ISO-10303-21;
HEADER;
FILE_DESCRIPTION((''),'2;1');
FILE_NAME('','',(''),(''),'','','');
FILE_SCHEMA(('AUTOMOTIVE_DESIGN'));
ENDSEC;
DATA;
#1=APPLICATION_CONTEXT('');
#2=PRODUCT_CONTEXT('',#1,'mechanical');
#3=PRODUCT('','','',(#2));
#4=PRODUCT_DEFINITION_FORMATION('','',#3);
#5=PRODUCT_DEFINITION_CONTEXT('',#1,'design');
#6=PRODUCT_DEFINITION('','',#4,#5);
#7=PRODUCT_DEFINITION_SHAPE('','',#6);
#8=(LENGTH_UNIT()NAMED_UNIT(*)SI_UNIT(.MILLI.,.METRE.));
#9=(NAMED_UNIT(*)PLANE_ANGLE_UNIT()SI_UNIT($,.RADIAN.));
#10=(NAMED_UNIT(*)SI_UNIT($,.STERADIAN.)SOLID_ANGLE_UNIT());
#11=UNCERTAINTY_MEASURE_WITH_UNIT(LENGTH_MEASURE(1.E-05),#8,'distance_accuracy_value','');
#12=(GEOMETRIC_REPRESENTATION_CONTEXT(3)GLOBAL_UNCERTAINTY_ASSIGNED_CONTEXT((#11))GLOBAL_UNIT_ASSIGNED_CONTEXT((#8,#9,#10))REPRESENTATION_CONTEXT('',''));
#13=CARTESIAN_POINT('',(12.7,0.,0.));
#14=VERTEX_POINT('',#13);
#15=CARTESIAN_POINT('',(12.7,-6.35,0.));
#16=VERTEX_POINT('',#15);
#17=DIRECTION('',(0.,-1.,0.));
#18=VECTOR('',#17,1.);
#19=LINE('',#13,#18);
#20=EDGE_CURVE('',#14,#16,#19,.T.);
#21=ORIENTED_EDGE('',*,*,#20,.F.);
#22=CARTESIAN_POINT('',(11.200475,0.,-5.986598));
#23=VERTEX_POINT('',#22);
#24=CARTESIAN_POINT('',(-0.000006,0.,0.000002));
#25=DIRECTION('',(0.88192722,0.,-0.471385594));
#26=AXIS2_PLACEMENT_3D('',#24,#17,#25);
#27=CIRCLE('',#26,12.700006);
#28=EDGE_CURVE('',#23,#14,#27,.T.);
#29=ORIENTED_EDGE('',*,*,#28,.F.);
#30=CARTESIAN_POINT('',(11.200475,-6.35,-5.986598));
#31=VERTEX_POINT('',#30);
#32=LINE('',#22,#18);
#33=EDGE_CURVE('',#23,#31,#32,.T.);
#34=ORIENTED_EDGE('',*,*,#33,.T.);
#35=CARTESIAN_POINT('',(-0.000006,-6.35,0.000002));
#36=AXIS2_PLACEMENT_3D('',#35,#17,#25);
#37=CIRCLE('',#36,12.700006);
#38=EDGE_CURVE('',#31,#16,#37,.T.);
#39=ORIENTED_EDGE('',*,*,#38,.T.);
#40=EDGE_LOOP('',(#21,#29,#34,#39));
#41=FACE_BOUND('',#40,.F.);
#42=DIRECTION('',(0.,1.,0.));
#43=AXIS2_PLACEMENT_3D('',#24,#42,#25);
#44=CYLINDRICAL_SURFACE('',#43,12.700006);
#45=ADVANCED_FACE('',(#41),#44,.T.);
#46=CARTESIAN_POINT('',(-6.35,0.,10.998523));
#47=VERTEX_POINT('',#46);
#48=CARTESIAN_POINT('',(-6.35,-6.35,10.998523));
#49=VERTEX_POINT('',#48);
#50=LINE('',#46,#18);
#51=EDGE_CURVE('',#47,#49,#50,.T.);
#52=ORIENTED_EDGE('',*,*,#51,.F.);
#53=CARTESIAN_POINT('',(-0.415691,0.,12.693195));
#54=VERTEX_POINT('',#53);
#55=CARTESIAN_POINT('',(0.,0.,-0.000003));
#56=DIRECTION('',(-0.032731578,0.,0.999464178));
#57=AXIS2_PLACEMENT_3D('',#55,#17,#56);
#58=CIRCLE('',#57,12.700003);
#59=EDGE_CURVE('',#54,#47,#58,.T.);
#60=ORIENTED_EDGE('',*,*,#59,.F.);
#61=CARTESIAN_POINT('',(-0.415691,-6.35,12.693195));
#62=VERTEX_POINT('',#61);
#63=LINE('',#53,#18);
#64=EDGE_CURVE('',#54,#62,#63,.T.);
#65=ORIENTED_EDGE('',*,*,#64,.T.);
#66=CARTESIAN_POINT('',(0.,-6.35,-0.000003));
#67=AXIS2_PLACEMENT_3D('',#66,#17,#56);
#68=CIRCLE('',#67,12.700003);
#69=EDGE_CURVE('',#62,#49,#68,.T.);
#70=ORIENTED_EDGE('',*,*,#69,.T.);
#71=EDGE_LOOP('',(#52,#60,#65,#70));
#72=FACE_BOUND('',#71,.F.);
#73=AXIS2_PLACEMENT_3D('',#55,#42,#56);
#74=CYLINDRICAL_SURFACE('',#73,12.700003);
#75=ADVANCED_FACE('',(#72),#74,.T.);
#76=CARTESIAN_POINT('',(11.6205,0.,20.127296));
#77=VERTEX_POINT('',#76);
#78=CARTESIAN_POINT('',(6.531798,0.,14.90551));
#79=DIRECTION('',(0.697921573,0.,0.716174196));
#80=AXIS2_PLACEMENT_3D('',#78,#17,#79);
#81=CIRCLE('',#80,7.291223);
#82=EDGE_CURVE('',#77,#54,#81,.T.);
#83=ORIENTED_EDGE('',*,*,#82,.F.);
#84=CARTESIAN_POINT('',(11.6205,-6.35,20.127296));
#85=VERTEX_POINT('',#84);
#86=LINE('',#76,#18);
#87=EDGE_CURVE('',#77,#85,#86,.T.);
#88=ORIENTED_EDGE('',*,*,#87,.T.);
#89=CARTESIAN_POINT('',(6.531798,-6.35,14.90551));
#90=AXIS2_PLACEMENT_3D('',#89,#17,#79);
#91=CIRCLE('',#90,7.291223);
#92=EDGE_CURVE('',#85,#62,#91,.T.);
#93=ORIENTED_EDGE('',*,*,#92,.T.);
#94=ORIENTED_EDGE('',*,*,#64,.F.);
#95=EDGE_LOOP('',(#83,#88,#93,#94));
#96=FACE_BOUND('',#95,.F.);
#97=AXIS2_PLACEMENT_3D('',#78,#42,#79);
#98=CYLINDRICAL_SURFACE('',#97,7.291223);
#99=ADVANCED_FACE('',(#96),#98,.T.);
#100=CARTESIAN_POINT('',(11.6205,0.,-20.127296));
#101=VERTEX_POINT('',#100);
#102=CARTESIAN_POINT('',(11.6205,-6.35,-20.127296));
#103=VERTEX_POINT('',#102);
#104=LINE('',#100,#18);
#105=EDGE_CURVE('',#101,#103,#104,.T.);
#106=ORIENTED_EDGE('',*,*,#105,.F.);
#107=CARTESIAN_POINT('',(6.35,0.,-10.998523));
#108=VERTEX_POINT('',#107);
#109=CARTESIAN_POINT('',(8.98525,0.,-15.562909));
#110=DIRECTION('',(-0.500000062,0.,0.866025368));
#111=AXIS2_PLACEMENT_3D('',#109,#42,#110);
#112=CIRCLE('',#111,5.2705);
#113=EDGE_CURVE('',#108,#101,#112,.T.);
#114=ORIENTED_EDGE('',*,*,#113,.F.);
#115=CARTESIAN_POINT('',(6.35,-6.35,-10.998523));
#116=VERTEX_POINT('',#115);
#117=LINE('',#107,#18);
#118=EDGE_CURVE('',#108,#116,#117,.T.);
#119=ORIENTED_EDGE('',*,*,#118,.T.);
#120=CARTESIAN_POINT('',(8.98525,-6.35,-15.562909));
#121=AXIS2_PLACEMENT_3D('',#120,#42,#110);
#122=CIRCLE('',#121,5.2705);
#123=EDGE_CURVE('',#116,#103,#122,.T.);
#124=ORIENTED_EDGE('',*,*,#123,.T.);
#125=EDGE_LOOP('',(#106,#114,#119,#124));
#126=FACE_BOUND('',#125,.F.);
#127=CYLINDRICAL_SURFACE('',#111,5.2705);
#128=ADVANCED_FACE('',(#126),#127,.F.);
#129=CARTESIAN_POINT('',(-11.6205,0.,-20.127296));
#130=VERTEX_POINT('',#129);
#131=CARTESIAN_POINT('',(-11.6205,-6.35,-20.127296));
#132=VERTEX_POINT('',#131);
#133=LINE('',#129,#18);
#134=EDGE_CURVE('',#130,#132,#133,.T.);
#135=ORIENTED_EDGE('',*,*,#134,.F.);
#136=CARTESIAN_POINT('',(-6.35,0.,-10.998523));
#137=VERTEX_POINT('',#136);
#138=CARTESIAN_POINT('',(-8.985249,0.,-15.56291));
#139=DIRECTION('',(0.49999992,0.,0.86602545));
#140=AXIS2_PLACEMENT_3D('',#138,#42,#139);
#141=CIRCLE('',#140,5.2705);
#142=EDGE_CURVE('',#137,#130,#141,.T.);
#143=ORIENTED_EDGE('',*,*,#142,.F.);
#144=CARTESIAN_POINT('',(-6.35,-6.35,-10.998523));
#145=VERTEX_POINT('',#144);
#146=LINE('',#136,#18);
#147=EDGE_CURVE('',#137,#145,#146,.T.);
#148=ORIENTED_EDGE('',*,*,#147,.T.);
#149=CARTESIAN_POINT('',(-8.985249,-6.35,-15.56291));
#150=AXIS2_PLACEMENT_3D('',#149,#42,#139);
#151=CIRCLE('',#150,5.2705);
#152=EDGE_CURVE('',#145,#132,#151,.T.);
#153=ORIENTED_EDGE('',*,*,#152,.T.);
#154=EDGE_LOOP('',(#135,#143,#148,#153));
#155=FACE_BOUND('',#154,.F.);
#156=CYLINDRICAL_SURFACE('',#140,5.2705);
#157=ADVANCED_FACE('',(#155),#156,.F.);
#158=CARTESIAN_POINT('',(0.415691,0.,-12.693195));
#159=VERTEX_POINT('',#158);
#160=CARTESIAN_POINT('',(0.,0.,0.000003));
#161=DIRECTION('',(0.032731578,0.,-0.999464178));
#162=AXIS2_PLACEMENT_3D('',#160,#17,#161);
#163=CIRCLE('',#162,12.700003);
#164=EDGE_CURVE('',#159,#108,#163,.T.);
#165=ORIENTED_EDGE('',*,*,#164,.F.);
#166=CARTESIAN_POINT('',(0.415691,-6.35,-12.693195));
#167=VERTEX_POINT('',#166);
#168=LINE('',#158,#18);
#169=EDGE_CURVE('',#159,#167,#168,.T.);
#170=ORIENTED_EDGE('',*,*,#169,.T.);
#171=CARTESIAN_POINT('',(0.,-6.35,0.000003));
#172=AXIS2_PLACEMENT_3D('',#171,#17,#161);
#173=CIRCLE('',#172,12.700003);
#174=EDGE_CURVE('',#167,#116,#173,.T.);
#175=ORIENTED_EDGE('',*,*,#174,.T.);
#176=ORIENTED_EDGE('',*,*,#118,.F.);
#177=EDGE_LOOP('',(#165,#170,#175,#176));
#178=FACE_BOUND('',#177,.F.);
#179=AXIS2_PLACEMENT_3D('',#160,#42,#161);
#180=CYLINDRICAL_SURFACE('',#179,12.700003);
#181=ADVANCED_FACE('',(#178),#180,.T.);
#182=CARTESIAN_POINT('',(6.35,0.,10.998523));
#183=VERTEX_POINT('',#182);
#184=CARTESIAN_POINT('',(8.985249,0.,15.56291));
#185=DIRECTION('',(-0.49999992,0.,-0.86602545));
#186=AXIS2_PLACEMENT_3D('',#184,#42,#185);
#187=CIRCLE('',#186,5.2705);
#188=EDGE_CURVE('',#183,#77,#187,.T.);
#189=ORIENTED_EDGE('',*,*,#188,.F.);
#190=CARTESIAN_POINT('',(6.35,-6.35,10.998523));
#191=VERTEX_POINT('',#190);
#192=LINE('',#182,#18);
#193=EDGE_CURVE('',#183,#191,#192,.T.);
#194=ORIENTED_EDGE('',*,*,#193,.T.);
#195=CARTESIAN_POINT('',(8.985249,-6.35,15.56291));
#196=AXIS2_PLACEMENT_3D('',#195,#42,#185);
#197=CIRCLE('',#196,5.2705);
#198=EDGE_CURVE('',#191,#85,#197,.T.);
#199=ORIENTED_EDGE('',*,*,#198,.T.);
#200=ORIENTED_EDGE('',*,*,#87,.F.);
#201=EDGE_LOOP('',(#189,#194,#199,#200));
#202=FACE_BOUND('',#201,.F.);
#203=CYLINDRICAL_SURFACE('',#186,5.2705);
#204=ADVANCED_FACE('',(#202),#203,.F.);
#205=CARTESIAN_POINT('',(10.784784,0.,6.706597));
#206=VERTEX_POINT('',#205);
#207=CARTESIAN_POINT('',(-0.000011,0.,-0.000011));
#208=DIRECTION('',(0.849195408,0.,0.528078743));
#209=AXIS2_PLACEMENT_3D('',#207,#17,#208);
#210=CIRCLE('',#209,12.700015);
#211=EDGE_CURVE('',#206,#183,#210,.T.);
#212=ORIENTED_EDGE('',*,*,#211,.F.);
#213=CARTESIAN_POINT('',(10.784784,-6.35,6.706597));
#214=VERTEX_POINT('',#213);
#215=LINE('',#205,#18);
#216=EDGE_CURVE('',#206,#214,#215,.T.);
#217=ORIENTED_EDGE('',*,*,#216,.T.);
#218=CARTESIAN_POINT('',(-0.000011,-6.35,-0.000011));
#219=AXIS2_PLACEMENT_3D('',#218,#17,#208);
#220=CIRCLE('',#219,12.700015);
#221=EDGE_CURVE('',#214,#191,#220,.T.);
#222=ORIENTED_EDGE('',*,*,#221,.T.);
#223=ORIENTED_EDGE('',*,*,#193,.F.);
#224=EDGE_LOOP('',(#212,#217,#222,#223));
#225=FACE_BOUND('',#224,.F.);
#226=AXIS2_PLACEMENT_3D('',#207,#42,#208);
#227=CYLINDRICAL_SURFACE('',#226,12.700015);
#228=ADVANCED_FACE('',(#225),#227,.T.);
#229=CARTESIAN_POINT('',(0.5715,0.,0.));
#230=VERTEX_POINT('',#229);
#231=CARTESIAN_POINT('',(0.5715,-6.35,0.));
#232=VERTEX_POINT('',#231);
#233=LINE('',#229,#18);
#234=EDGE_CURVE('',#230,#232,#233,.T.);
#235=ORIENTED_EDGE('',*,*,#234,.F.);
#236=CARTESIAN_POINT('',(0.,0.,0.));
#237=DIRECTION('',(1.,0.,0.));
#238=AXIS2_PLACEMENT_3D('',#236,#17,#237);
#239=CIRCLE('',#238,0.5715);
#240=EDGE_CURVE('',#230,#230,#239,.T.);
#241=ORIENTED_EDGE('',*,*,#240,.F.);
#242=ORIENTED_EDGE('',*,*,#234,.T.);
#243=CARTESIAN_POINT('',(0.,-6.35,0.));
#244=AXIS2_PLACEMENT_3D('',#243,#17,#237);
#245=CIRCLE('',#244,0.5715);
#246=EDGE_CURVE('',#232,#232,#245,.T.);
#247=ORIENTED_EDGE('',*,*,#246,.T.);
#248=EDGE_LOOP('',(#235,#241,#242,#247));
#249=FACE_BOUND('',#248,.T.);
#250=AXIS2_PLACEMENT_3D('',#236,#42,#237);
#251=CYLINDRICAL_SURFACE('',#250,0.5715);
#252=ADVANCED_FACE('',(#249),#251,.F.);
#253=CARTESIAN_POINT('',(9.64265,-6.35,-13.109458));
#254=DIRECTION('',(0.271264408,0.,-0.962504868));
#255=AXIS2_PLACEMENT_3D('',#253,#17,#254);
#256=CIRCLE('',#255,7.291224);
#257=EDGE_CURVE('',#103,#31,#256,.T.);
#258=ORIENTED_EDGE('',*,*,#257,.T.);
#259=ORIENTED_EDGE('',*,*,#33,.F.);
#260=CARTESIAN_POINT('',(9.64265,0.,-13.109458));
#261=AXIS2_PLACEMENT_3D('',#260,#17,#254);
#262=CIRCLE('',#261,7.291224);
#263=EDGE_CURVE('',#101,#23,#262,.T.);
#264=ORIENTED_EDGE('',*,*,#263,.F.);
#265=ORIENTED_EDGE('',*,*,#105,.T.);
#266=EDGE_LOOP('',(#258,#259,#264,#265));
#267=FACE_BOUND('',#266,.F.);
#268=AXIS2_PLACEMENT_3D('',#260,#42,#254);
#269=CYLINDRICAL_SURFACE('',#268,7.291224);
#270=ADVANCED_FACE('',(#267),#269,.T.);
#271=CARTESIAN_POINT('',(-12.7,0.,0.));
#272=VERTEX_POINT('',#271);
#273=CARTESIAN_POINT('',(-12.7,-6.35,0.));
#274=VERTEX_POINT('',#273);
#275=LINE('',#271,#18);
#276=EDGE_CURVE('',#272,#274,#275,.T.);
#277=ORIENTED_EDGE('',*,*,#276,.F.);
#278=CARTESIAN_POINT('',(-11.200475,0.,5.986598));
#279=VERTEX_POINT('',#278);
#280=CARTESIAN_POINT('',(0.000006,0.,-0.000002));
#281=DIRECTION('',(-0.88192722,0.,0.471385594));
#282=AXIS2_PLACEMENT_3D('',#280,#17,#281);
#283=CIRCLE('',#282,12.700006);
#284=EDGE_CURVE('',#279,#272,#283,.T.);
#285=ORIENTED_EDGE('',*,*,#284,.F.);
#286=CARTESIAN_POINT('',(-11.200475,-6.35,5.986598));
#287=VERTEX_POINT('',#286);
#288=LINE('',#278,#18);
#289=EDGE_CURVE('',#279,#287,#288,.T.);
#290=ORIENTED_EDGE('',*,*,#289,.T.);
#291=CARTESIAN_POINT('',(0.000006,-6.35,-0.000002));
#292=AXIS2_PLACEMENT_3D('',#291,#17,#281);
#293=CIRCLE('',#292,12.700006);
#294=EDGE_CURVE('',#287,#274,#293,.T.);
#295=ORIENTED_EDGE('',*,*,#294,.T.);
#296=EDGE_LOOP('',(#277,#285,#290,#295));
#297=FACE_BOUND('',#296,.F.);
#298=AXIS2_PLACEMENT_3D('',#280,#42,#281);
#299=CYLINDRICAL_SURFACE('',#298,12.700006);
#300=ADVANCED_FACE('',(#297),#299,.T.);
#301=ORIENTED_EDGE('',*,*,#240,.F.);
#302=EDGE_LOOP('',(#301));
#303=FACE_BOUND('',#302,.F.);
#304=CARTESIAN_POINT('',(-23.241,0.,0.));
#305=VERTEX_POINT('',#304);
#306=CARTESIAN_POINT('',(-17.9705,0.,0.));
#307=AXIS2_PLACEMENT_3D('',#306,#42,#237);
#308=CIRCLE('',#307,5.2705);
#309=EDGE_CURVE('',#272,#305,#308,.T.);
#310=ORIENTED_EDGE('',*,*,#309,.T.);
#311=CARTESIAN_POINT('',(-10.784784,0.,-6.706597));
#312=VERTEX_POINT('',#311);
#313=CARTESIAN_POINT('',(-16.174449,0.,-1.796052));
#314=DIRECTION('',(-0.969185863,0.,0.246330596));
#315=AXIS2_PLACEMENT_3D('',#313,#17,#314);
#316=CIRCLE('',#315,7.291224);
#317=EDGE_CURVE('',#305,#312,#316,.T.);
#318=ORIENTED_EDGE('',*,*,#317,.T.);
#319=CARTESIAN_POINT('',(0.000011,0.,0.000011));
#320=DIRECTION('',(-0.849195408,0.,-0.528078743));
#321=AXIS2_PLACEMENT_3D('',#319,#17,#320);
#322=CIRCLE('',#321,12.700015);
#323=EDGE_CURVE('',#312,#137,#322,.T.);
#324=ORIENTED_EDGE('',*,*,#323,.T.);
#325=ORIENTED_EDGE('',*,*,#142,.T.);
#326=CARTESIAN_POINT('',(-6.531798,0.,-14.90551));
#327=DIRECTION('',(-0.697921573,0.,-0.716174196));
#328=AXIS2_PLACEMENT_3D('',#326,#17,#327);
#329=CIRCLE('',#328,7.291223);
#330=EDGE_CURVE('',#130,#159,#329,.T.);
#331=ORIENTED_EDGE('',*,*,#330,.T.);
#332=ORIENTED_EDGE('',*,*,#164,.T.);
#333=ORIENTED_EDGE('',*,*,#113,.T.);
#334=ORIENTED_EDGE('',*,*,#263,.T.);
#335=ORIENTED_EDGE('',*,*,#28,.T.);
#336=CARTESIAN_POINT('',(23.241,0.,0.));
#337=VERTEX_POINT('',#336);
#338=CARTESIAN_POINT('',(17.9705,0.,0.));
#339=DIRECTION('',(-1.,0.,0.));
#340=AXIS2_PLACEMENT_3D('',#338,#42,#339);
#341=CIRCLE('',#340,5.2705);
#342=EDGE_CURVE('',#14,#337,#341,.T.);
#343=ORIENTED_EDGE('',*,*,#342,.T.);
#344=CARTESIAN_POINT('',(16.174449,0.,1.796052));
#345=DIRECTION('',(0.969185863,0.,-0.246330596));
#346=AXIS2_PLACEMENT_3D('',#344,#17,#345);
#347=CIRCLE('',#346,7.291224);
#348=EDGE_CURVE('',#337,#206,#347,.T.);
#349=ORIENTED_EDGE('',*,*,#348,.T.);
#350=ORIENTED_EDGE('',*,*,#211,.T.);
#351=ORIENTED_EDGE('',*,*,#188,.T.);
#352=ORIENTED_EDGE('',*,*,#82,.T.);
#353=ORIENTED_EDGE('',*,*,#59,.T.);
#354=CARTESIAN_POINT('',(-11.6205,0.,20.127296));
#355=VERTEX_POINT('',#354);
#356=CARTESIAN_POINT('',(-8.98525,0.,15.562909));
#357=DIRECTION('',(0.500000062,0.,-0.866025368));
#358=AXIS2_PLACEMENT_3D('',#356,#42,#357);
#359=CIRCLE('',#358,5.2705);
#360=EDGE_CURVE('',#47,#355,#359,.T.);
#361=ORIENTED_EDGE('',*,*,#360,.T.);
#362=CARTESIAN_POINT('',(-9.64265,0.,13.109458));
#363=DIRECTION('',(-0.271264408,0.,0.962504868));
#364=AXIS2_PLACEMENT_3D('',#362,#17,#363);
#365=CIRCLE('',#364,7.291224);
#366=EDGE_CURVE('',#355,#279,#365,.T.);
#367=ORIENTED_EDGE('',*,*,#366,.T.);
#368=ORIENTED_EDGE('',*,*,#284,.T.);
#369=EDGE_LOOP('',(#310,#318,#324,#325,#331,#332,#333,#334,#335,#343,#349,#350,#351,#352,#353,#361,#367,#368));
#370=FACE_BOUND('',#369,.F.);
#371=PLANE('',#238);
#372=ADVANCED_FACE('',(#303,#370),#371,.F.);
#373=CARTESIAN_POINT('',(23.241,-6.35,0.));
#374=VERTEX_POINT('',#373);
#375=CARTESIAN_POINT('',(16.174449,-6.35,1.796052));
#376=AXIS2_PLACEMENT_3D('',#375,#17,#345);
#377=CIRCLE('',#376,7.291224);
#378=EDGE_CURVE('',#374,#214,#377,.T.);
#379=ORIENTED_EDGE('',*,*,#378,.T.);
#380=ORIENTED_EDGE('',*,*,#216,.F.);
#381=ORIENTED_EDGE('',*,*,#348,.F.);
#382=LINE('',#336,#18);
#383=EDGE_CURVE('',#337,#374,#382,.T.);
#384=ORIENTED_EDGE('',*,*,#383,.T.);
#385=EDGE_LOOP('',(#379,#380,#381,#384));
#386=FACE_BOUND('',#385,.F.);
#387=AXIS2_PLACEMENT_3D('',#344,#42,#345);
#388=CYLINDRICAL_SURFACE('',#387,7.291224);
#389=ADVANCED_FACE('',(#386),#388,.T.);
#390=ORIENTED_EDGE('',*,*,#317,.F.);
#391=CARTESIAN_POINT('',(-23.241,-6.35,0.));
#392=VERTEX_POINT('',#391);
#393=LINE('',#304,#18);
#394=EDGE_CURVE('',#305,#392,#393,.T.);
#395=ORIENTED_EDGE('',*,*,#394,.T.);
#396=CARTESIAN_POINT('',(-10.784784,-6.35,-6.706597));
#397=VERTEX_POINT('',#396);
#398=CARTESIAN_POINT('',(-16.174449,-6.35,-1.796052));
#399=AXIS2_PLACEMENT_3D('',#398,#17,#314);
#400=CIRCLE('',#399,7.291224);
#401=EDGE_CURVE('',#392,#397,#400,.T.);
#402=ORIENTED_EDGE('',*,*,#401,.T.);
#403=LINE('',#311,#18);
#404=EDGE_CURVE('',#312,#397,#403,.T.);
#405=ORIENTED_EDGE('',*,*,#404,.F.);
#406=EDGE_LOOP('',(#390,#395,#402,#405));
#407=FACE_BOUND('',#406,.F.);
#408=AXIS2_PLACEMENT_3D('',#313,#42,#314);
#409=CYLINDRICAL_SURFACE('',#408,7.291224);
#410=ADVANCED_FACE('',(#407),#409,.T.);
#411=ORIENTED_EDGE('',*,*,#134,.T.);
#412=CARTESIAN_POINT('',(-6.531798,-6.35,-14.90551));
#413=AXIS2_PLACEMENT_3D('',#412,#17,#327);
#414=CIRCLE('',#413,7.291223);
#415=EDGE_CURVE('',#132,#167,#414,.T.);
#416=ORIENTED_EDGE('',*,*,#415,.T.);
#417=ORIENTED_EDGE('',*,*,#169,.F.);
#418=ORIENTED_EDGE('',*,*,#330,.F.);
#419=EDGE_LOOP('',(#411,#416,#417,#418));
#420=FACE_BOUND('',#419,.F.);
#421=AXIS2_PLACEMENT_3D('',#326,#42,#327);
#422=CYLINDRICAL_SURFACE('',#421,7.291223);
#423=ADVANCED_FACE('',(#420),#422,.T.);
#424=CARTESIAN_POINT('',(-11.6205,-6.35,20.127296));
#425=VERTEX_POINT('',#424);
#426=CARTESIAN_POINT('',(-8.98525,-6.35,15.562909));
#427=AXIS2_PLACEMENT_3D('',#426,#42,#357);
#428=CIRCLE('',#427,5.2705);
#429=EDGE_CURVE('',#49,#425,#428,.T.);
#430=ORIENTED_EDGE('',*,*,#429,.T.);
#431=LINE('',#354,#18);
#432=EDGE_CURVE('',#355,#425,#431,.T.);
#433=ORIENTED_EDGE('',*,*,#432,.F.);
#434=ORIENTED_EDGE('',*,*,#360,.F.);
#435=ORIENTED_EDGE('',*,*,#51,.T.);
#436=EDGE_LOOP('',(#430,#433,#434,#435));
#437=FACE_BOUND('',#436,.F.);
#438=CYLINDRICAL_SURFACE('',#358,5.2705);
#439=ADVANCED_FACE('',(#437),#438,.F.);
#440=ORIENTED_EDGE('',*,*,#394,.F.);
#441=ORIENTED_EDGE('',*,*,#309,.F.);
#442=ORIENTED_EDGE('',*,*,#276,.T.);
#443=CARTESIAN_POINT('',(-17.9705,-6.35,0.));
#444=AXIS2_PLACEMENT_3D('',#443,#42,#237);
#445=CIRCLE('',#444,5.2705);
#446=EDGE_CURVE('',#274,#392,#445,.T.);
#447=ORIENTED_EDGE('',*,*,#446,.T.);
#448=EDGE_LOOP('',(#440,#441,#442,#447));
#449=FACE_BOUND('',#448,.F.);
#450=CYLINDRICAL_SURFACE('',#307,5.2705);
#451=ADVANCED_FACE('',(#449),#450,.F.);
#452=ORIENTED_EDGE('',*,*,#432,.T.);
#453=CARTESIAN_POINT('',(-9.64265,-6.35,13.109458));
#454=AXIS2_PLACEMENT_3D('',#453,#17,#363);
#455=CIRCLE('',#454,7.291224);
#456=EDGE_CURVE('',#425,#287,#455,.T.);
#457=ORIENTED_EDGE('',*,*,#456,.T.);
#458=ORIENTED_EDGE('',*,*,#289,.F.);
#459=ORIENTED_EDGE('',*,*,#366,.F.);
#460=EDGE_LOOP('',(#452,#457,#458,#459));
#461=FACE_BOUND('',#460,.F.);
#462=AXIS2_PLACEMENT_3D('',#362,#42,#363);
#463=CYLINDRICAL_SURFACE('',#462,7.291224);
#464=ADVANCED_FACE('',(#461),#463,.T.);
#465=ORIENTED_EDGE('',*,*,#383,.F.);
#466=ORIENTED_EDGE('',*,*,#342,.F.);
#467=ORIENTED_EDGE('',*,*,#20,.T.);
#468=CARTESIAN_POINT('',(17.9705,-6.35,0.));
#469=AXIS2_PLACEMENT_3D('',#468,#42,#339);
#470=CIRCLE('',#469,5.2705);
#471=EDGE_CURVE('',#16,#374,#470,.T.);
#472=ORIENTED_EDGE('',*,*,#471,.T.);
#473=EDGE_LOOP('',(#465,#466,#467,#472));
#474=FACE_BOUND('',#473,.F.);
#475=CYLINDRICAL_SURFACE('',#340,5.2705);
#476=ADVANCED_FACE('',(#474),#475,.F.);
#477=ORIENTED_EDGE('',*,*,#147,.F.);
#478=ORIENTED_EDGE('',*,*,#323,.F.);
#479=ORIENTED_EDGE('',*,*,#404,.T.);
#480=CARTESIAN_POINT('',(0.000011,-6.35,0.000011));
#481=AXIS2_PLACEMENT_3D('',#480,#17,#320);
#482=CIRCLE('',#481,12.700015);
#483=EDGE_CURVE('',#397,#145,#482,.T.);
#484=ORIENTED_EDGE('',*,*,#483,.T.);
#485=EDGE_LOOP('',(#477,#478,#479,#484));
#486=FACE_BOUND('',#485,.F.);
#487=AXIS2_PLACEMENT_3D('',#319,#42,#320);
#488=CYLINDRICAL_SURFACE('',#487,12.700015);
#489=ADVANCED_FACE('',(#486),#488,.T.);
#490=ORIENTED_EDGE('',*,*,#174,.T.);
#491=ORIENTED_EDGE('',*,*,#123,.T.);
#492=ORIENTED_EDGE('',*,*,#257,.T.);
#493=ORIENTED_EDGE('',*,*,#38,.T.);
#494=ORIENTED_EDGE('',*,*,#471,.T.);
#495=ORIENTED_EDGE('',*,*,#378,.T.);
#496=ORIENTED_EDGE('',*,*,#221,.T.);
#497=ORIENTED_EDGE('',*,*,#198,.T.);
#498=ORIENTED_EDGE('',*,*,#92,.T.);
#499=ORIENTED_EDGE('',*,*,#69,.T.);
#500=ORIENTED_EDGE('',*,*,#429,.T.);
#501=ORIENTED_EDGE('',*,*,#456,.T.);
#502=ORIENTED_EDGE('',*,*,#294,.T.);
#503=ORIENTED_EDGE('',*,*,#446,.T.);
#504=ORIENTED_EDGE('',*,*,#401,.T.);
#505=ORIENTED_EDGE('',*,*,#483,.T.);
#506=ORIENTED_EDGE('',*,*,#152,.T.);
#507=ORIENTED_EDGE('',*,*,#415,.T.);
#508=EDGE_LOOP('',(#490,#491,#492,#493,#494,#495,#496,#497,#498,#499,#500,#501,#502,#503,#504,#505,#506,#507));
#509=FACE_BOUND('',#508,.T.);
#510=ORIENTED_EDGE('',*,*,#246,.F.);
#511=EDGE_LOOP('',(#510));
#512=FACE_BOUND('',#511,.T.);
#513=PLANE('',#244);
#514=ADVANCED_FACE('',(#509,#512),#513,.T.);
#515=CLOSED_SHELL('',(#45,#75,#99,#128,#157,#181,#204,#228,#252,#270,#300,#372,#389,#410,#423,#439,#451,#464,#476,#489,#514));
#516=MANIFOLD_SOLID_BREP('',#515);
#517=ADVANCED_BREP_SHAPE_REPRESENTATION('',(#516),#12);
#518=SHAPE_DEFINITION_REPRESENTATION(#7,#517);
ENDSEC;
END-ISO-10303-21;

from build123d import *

# Parameters (mm, degrees)
F0_R     = 0.5715
F1_DEPTH = 6.35


with BuildPart() as f1:
    # F0 (on Front) → F1 (new body)
    with BuildSketch(Plane.XZ):
        with BuildLine():
            ThreePointArc((23.241, 0), (19.630978, 8.215892), (10.784784, 6.706597))
            ThreePointArc((10.784784, 6.706597), (8.832064, 9.126042), (6.35, 10.998523))
            ThreePointArc((6.35, 10.998523), (4.420863, 18.19816), (11.6205, 20.127296))
            ThreePointArc((11.6205, 20.127296), (2.700318, 21.108872), (-0.415691, 12.693195))
            ThreePointArc((-0.415691, 12.693195), (-3.487352, 12.211813), (-6.35, 10.998523))
            ThreePointArc((-6.35, 10.998523), (-13.549637, 12.92766), (-11.6205, 20.127296))
            ThreePointArc((-11.6205, 20.127296), (-16.93066, 12.89298), (-11.200475, 5.986598))
            ThreePointArc((-11.200475, 5.986598), (-12.319416, 3.085771), (-12.7, 0))
            ThreePointArc((-12.7, 0), (-17.9705, -5.2705), (-23.241, 0))
            ThreePointArc((-23.241, 0), (-19.630978, -8.215892), (-10.784784, -6.706597))
            ThreePointArc((-10.784784, -6.706597), (-8.832064, -9.126042), (-6.35, -10.998523))
            ThreePointArc((-6.35, -10.998523), (-4.420863, -18.19816), (-11.6205, -20.127296))
            ThreePointArc((-11.6205, -20.127296), (-2.700318, -21.108872), (0.415691, -12.693195))
            ThreePointArc((0.415691, -12.693195), (3.487352, -12.211813), (6.35, -10.998523))
            ThreePointArc((6.35, -10.998523), (13.549637, -12.92766), (11.6205, -20.127296))
            ThreePointArc((11.6205, -20.127296), (16.93066, -12.89298), (11.200475, -5.986598))
            ThreePointArc((11.200475, -5.986598), (12.319416, -3.085771), (12.7, 0))
            ThreePointArc((12.7, 0), (17.9705, 5.2705), (23.241, 0))
        make_face()
        Circle(F0_R, mode=Mode.SUBTRACT)
    extrude(amount=F1_DEPTH)


solid = f1.part
